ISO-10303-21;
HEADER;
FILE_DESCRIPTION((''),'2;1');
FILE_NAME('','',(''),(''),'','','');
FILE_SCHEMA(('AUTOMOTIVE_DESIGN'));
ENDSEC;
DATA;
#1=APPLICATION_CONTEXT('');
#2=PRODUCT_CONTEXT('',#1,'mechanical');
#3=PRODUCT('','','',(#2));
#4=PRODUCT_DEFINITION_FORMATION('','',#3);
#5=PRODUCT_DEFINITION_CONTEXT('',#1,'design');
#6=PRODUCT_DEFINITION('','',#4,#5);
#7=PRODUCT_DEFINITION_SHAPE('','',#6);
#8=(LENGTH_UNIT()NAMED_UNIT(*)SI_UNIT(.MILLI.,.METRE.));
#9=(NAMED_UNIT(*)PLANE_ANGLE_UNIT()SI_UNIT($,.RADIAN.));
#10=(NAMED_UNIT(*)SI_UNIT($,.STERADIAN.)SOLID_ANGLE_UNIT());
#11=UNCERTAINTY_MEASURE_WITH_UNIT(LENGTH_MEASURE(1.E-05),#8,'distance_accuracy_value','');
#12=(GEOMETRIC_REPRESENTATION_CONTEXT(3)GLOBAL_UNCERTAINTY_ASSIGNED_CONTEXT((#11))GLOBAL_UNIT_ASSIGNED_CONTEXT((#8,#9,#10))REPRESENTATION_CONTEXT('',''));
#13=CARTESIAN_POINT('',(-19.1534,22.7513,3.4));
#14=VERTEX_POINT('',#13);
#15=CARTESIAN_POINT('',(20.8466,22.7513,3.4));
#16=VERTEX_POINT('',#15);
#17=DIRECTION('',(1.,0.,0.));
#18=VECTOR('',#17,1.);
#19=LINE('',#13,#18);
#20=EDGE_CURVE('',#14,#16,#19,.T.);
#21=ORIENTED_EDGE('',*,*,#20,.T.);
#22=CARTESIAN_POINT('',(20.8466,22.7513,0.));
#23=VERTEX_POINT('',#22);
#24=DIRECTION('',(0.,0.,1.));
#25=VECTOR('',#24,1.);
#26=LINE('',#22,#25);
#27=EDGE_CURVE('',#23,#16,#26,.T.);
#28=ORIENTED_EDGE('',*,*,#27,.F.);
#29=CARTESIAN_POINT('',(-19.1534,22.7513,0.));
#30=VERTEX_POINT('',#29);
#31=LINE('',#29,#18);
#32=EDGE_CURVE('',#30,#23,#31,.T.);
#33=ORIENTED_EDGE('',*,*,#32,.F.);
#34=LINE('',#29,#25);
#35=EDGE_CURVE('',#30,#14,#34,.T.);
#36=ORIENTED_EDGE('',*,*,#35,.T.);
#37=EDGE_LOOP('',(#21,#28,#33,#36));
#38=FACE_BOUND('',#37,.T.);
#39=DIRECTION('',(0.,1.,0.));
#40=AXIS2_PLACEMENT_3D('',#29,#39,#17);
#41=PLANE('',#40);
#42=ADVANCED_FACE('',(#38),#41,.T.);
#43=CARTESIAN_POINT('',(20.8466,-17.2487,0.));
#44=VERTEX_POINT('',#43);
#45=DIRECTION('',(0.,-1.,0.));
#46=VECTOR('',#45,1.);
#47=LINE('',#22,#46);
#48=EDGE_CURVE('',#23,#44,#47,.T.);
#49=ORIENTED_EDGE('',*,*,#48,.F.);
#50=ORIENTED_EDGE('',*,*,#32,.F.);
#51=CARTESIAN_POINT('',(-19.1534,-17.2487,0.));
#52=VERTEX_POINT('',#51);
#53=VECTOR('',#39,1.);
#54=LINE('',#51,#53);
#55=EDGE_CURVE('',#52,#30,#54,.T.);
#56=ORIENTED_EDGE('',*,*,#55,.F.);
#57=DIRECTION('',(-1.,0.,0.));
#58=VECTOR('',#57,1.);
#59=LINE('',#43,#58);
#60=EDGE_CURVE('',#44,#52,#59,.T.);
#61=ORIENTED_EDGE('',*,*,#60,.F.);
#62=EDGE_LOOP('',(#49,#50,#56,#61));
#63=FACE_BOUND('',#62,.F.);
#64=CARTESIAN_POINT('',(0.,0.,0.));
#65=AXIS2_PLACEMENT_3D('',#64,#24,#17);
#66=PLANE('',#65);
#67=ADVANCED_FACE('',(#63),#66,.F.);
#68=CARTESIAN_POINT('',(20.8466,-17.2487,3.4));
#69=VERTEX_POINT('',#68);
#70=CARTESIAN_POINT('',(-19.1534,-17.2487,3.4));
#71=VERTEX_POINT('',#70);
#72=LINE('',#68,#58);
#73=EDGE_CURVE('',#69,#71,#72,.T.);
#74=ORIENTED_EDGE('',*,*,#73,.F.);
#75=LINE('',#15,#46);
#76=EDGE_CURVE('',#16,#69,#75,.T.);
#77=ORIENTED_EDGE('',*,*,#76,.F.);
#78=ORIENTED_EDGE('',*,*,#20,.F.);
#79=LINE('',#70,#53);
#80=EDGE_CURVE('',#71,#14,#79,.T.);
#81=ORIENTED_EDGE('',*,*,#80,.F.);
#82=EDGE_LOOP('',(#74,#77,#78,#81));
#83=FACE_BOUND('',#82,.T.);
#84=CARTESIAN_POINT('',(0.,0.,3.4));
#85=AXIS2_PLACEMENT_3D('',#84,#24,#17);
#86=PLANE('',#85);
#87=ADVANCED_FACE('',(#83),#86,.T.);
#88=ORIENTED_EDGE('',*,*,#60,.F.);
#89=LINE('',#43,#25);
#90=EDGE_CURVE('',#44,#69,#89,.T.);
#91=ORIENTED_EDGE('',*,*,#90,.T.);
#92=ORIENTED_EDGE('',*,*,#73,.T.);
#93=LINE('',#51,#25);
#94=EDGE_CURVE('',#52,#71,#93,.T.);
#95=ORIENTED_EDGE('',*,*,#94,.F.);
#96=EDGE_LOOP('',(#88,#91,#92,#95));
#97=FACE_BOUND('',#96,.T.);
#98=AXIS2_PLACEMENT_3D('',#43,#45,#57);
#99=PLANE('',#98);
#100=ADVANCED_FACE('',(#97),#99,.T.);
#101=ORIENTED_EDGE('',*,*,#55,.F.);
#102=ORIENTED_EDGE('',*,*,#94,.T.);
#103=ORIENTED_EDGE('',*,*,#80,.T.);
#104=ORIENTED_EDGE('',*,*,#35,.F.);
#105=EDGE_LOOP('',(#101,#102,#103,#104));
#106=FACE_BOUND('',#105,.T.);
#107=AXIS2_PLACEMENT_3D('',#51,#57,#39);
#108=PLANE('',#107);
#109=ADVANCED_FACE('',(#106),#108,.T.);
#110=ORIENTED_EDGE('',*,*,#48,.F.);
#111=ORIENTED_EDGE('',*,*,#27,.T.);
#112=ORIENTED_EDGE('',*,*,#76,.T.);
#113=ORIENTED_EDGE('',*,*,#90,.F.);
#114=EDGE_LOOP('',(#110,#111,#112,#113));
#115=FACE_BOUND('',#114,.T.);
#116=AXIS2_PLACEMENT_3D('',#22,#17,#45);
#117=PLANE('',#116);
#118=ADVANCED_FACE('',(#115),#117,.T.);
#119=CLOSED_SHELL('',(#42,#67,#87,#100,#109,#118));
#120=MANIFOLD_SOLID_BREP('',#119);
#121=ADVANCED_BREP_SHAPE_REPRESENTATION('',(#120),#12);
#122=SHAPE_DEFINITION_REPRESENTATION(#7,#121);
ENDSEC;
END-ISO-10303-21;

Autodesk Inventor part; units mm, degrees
ref_plane "YZ Plane" through (0, 0, 0) normal (1, 0, 0) x (0, 1, 0)
ref_plane "XZ Plane" through (0, 0, 0) normal (0, 1, 0) x (-1, 0, 0)
ref_plane "XY Plane" through (0, 0, 0) normal (0, 0, 1) x (1, 0, 0)
sketch "스케치1" plane through (0, 0, 0) normal (0, 0, 1) x (1, 0, 0)
  line L0 (-19.1534, 22.7513) -> (20.8466, 22.7513)
  line L1 (20.8466, 22.7513) -> (20.8466, -17.2487)
  line L2 (20.8466, -17.2487) -> (-19.1534, -17.2487)
  line L3 (-19.1534, -17.2487) -> (-19.1534, 22.7513)
  point P0 (0, 0)
  dimension "d0" = 40
  dimension "d1" = 40
extrude "돌출1" add sketch "스케치1" along normal blind 3.4
properties part number "펠티어 소자"
